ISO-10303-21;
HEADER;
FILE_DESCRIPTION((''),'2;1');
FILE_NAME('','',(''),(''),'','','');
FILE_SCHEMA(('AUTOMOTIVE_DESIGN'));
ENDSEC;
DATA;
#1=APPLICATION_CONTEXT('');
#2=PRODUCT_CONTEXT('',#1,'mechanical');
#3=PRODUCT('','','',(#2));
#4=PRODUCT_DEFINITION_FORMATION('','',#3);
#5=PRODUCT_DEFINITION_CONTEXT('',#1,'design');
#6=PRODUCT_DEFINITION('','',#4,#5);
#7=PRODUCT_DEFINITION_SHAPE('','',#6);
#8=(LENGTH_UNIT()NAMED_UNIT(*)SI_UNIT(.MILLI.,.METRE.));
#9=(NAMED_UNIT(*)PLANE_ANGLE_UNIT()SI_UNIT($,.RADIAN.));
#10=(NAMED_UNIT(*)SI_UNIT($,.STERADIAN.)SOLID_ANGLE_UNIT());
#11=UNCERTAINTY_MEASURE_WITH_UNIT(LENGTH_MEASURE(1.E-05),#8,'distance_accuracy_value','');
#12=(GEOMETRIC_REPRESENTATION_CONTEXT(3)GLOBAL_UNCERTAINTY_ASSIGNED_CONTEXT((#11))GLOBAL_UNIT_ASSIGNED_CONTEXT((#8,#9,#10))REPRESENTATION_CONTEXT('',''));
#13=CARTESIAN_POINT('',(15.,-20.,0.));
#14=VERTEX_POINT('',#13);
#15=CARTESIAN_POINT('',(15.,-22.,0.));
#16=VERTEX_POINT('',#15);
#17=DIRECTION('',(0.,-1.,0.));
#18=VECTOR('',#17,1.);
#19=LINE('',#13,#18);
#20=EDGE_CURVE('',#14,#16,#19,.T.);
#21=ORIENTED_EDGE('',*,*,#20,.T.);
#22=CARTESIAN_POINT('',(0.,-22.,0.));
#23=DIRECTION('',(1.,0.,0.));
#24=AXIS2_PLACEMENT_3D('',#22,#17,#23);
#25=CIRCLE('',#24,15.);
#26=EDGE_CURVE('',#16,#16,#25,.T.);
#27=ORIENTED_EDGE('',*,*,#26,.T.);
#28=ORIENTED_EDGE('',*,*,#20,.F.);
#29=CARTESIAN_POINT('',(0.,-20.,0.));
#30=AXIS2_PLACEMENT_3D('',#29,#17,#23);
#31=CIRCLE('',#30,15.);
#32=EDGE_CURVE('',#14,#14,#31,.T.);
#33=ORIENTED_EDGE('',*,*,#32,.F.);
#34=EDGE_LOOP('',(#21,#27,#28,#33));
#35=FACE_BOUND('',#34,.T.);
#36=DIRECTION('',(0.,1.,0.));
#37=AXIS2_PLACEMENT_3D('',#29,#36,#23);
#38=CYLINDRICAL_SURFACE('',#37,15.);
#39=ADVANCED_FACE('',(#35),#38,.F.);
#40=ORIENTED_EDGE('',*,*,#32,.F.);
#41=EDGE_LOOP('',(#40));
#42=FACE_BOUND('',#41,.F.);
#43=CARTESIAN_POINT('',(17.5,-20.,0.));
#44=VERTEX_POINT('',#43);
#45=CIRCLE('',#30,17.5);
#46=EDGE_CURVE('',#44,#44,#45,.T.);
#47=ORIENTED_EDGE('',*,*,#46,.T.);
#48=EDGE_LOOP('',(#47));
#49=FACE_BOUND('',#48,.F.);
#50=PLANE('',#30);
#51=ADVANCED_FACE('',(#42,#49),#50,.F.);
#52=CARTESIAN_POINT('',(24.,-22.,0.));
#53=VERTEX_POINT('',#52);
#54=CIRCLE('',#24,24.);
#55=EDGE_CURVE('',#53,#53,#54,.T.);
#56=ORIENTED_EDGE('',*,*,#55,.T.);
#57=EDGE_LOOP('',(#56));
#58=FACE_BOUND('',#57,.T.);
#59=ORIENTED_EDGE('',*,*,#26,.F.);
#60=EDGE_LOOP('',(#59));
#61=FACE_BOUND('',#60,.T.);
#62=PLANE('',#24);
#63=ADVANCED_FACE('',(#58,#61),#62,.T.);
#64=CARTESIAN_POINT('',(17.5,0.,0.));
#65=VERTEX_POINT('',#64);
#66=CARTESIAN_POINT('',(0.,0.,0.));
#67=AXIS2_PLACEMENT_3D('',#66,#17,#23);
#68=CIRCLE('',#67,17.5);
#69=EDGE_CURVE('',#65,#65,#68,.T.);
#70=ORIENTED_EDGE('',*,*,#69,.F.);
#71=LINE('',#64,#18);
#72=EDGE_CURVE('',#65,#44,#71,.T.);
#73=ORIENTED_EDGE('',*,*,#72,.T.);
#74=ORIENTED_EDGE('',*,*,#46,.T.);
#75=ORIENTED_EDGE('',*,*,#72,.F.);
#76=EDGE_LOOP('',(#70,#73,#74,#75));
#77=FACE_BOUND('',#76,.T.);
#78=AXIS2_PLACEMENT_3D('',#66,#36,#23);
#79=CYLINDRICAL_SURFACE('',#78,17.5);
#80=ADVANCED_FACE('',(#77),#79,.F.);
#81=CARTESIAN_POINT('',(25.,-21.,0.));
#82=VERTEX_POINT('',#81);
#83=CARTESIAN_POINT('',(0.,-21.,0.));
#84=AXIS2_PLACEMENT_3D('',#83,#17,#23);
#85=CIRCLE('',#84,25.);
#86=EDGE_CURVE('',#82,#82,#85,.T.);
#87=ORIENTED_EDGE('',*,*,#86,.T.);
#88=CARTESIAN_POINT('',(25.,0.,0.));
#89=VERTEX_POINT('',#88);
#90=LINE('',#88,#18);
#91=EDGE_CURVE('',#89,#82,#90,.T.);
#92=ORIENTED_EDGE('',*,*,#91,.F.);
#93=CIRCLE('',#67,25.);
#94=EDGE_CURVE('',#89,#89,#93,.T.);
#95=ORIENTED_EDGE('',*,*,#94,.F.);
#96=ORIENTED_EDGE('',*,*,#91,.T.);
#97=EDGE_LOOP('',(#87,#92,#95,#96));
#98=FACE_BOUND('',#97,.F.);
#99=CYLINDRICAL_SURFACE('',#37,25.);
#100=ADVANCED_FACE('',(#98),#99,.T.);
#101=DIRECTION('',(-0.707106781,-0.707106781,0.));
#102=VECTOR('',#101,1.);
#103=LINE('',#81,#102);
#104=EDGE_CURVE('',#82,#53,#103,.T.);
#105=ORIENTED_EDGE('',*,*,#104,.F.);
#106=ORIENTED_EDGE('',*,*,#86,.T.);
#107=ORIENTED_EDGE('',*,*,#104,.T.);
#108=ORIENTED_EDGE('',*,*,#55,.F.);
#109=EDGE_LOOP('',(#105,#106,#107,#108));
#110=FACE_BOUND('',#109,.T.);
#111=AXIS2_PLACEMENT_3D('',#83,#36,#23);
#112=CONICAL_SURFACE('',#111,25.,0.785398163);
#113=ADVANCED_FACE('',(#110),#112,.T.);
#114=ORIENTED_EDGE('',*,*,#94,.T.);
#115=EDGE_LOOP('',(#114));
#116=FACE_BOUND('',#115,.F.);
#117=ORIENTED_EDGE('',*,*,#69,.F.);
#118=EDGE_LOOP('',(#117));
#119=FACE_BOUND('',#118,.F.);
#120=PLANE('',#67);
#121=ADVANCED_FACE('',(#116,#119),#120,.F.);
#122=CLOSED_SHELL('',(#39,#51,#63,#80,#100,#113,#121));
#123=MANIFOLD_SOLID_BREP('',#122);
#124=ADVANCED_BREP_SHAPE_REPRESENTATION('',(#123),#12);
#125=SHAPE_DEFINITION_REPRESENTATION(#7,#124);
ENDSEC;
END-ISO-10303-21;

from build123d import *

# Parameters (mm, degrees)
F0_R     = 25
F0_R_2   = 17.5
F1_DEPTH = 20
F2_R     = 25
F2_R_2   = 15
F3_DEPTH = 2
F4_SIZE  = 1


with BuildPart() as f1:
    # F0 (on Front) → F1 (new body)
    with BuildSketch(Plane.XZ):
        Circle(F0_R)
        Circle(F0_R_2, mode=Mode.SUBTRACT)
    extrude(amount=F1_DEPTH)

    # F2 (on face) → F3 (join)
    with BuildSketch(Plane.XZ.offset(20)):
        Circle(F2_R)
        Circle(F2_R_2, mode=Mode.SUBTRACT)
    extrude(amount=F3_DEPTH)

    # F4
    f4_edges = [f1.edges().sort_by_distance(p)[0] for p in [
        (-25, -22, 0),
    ]]
    chamfer(f4_edges, length=F4_SIZE)


solid = f1.part
